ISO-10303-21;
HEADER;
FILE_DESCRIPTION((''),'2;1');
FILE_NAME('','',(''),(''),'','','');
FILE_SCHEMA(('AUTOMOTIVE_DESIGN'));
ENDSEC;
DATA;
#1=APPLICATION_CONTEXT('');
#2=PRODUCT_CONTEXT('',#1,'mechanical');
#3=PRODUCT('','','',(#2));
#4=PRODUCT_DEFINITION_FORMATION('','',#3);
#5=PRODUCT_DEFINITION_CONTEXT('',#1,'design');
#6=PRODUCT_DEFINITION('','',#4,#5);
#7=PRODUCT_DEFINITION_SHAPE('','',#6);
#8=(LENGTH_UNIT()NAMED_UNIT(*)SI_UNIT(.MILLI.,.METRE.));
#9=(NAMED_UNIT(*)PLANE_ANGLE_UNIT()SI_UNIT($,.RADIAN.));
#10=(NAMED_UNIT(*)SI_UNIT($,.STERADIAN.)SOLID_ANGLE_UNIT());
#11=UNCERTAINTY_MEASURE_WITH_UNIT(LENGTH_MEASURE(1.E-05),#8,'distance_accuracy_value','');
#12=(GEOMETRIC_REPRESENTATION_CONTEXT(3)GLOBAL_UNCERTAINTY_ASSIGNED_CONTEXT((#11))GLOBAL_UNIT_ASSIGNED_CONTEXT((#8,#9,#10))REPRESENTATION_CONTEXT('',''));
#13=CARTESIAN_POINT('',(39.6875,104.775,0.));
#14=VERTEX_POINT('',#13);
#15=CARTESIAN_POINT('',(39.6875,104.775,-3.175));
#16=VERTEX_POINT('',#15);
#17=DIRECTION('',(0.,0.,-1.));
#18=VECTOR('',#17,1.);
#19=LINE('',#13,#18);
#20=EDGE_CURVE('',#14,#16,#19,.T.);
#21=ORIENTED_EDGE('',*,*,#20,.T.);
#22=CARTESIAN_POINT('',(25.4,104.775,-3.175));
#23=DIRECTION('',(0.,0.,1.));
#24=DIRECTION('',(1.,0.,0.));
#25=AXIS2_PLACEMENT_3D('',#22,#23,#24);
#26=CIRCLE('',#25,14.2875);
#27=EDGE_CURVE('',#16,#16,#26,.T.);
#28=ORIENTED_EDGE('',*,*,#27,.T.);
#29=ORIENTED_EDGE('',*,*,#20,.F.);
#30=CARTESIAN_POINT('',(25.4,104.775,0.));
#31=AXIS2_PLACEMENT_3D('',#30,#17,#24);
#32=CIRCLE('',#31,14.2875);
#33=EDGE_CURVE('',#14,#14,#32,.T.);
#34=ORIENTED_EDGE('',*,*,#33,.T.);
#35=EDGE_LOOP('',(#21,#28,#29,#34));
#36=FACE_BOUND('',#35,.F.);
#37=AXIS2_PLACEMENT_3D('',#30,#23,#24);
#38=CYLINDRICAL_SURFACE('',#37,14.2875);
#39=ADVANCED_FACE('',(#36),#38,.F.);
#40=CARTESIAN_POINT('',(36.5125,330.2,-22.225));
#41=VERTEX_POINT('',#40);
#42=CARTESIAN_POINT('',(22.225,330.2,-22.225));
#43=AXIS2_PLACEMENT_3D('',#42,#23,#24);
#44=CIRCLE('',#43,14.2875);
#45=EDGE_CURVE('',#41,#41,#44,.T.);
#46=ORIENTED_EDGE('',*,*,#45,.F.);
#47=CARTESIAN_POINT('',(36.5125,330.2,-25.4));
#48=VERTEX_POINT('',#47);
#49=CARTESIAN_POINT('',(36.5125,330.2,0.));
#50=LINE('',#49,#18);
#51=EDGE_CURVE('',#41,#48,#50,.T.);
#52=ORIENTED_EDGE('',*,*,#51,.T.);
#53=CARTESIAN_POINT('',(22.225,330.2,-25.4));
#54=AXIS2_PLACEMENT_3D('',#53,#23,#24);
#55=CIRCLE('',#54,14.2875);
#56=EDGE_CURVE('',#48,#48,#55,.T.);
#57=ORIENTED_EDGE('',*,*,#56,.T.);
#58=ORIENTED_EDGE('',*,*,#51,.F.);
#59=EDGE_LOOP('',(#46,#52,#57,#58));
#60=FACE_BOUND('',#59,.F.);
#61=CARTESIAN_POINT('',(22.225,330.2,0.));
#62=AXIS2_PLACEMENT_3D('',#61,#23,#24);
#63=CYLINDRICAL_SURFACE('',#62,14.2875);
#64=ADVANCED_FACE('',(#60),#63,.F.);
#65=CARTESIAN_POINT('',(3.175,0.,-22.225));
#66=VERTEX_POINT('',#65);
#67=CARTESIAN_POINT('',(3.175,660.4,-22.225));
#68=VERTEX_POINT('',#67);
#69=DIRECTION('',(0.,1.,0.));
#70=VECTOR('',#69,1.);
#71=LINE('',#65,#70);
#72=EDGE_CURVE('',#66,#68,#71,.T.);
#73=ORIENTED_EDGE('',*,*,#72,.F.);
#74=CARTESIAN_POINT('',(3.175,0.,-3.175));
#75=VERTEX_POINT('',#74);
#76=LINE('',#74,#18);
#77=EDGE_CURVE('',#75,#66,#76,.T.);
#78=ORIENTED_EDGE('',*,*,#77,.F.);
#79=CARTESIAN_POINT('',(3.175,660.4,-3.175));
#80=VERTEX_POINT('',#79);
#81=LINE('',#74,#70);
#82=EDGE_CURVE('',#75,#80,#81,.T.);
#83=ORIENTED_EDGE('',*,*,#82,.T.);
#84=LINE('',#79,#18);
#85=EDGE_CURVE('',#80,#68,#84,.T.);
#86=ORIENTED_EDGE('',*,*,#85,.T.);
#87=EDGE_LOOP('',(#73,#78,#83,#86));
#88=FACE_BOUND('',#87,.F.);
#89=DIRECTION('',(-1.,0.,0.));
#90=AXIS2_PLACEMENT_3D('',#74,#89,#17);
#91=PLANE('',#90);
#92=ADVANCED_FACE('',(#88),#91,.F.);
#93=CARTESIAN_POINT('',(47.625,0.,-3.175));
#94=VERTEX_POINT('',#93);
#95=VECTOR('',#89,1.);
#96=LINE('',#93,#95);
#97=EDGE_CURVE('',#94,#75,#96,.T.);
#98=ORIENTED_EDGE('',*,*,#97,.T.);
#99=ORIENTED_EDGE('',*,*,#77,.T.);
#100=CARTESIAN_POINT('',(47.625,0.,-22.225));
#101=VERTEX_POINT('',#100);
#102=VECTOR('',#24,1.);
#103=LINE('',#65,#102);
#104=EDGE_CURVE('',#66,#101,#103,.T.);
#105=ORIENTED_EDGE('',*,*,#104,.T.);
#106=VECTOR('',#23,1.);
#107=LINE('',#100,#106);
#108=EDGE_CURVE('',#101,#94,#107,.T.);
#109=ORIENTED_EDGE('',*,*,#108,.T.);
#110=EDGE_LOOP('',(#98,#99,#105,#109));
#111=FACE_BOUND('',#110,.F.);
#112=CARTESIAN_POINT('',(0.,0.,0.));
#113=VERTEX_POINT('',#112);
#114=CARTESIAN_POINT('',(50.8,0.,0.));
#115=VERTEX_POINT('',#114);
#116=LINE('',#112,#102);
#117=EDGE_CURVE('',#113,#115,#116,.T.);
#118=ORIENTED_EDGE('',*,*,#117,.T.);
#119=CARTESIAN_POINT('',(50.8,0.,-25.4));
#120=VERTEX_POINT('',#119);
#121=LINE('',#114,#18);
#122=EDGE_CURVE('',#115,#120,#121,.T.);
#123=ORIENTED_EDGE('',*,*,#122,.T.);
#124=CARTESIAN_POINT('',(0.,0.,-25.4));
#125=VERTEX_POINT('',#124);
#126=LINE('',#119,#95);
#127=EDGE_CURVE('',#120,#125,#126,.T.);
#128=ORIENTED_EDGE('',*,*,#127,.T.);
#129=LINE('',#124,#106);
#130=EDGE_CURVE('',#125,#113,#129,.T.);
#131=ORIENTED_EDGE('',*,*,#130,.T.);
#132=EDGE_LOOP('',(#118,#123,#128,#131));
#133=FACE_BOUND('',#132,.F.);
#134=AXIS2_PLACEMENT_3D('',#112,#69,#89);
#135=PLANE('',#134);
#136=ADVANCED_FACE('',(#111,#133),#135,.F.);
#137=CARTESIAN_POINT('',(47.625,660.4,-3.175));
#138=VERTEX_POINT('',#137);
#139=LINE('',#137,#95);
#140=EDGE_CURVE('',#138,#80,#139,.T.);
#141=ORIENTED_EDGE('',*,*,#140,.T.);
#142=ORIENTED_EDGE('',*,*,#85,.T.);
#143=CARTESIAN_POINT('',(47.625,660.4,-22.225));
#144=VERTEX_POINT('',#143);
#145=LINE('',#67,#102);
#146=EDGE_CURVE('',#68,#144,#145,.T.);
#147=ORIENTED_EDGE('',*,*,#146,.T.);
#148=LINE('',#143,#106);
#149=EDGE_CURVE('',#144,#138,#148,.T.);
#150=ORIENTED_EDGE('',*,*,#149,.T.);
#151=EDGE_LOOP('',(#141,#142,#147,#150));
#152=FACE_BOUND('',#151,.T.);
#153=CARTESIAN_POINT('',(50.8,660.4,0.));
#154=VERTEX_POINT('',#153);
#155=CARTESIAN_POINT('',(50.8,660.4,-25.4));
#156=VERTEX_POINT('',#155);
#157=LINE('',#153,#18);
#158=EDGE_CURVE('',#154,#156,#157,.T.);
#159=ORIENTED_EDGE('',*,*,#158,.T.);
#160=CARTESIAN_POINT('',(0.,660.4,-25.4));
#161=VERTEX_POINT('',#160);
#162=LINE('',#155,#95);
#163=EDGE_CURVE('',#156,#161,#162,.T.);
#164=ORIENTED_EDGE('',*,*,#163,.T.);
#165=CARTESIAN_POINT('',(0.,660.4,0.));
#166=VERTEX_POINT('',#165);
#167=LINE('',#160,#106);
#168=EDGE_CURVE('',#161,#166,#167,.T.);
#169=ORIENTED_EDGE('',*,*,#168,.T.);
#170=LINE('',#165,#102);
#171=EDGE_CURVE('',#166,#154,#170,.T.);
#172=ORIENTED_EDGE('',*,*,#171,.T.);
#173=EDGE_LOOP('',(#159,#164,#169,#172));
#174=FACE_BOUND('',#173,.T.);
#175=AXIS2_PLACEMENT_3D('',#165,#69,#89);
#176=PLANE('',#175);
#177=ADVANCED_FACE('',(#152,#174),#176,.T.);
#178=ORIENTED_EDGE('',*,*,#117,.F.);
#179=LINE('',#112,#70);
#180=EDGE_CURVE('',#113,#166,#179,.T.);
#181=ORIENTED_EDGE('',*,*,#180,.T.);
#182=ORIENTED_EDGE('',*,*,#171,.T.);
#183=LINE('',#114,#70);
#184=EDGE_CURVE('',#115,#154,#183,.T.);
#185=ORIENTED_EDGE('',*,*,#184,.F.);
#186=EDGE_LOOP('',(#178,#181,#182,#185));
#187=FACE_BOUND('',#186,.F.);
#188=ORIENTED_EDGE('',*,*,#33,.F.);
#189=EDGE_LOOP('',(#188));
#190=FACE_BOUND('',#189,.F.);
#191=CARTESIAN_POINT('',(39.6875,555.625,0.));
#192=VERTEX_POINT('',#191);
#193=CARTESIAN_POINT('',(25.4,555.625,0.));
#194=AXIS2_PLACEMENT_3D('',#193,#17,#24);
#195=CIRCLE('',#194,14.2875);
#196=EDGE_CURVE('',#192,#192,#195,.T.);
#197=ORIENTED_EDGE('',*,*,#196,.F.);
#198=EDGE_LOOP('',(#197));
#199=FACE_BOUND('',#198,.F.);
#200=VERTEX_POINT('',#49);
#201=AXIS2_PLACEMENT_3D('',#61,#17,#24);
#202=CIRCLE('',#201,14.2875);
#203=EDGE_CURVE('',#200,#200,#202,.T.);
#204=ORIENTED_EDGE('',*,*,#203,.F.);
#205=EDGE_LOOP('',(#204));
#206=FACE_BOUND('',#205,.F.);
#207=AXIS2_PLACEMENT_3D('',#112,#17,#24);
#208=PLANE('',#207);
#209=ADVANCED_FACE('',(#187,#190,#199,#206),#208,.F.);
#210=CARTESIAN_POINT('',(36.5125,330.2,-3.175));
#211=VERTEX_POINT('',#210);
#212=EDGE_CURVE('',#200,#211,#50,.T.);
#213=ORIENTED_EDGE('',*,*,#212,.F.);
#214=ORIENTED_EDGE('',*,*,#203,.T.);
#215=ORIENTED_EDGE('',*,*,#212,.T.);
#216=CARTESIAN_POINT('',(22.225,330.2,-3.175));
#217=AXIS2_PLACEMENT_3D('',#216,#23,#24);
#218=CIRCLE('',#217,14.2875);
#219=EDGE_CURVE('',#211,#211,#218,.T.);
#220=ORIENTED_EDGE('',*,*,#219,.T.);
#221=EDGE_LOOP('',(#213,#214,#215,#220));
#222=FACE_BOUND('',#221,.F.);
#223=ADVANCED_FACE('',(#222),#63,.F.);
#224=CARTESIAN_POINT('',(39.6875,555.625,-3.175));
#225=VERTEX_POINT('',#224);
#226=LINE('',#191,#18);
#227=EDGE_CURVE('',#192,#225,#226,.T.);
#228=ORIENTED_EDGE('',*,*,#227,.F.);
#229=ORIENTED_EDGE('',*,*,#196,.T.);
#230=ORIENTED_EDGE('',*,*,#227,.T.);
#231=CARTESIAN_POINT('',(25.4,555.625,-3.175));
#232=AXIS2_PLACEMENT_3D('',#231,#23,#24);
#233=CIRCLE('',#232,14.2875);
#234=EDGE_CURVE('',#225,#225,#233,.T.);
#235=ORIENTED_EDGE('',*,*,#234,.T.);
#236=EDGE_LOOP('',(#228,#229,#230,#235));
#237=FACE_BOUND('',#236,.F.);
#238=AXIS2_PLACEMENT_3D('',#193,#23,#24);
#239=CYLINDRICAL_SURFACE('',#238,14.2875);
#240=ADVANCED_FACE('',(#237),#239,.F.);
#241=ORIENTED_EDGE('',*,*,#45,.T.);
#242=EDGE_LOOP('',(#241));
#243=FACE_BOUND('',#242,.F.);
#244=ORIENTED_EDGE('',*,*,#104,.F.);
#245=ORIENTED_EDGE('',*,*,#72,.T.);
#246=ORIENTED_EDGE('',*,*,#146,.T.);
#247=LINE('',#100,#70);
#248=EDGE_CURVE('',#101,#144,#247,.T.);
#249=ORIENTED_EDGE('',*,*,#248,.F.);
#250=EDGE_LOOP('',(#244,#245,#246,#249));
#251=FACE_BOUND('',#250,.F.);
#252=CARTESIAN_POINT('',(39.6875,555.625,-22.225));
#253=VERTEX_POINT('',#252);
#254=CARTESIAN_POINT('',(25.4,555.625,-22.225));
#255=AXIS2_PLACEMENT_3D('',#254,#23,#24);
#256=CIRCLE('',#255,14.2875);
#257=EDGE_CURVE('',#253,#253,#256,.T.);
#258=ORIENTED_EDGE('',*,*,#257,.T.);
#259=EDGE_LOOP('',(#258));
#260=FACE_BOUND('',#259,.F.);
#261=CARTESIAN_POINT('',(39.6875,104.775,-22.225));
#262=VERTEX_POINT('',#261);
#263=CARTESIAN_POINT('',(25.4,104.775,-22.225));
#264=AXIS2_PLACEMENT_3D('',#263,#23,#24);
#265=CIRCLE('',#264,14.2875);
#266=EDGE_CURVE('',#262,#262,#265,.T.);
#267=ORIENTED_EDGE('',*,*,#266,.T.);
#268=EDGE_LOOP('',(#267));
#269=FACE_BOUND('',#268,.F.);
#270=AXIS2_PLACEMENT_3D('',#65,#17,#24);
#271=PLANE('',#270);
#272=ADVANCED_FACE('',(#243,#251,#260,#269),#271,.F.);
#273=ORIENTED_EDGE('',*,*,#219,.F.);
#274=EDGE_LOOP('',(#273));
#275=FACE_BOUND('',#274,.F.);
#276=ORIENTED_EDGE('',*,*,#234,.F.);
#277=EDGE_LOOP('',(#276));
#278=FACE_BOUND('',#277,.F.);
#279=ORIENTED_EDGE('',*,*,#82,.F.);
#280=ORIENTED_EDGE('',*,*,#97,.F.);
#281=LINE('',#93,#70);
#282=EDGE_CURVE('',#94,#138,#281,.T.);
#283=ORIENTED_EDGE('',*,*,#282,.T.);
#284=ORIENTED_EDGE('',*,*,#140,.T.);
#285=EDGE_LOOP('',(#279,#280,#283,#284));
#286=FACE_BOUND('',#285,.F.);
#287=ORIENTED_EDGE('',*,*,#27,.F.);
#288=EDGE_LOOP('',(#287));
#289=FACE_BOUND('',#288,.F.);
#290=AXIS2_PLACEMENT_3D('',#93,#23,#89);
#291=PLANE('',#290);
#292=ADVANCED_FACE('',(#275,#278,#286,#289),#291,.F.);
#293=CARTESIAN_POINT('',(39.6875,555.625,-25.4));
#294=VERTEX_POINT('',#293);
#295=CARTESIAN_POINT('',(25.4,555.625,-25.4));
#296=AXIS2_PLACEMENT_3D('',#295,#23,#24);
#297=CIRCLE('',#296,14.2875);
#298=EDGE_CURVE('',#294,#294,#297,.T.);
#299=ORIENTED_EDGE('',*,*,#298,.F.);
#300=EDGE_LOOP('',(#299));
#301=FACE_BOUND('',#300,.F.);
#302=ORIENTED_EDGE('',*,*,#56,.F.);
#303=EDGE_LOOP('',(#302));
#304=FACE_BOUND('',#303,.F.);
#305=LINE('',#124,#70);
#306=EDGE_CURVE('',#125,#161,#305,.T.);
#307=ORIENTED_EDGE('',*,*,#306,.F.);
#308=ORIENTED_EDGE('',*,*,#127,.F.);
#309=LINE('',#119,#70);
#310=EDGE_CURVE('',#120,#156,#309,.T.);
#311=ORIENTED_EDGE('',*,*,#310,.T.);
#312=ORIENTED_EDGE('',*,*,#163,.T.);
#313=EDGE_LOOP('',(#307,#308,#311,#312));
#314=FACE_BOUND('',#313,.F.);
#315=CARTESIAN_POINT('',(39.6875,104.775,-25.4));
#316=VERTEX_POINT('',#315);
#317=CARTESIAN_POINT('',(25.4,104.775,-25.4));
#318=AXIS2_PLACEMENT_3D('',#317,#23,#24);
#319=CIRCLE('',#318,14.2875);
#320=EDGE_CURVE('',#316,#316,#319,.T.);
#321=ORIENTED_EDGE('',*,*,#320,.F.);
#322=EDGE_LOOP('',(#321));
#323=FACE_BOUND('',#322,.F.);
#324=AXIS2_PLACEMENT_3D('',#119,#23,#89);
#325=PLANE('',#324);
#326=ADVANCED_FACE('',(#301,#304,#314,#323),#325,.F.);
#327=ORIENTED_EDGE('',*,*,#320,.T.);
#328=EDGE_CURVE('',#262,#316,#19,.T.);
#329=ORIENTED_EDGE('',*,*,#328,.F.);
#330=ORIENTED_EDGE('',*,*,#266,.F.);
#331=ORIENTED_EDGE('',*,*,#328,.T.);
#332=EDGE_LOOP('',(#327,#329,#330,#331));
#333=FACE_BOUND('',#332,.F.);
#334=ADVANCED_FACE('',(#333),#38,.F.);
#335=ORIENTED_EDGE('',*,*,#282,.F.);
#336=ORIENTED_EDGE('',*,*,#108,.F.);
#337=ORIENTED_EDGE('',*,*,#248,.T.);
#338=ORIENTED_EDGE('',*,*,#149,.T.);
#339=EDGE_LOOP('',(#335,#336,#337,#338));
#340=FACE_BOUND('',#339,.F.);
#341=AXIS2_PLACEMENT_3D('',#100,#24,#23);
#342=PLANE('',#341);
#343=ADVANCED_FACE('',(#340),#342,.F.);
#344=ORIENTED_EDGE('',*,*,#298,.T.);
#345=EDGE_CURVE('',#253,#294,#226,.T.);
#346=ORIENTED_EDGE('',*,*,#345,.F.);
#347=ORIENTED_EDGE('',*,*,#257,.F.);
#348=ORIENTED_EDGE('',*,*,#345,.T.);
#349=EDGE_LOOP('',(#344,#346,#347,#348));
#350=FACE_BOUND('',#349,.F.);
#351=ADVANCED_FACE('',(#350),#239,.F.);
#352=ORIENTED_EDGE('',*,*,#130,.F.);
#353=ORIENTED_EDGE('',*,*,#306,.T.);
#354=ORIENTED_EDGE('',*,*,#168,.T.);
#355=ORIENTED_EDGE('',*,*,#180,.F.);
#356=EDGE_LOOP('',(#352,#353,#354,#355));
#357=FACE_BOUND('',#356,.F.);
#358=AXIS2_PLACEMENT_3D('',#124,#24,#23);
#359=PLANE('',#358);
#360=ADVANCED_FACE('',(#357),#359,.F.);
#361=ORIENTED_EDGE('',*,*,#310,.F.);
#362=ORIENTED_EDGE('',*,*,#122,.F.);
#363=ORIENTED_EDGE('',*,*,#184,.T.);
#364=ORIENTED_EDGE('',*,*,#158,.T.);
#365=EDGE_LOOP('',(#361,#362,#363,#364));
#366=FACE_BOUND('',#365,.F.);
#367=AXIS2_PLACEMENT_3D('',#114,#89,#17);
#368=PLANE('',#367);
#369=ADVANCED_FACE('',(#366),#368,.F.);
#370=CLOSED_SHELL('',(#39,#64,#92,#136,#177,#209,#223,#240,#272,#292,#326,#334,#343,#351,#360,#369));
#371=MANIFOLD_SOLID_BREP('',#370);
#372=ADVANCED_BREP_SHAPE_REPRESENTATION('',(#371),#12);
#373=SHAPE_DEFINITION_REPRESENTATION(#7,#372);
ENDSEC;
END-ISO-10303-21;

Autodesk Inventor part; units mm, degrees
ref_plane "YZ Plane" through (0, 0, 0) normal (1, 0, 0) x (0, 1, 0)
ref_plane "XZ Plane" through (0, 0, 0) normal (0, 1, 0) x (-1, 0, 0)
ref_plane "XY Plane" through (0, 0, 0) normal (0, 0, 1) x (1, 0, 0)
sketch "Sketch1" plane through (0, 0, 0) normal (0, 1, 0) x (-1, 0, 0)
  line L0 (0, 0) -> (-50.8, 0)
  line L1 (-50.8, 0) -> (-50.8, -25.4)
  line L2 (-50.8, -25.4) -> (0, -25.4)
  line L3 (0, -25.4) -> (0, 0)
  line L4 (-3.175, -22.225) -> (-47.625, -22.225)
  line L5 (-47.625, -22.225) -> (-47.625, -3.175)
  line L6 (-47.625, -3.175) -> (-3.175, -3.175)
  line L7 (-3.175, -3.175) -> (-3.175, -22.225)
  dimension "d0" = 50.8
  dimension "d1" = 25.4
  dimension "d2" = 3.175
  dimension "d3" = 3.175
  dimension "d4" = 3.175
  dimension "d5" = 3.175
extrude "Extrusion1" add sketch "Sketch1" along normal blind 660.4
sketch "Sketch2" plane through (0, 0, 0) normal (0, 0, 1) x (1, 0, 0)
  line L0 (3.175, 660.4) -> (47.625, 660.4) projected
  line L1 (25.4, 660.4) -> (25.4, 0)
  line L2 (25.4, 0) -> (25.4, 330.2)
  line L3 (25.4, 330.2) -> (22.225, 330.2)
  circle A0 centre (22.225, 330.2) radius 14.2875
  point P0 (0, 0)
  dimension "d11" = 3.175
extrude "Extrusion2" cut sketch "Sketch2" against normal blind 25.4
sketch "Sketch3" plane through (0, 0, 0) normal (0, 0, 1) x (1, 0, 0)
  line L0 (0, 0) -> (50.8, 0) projected
  line L1 (25.4, 0) -> (25.4, 660.4)
  line L2 (0, 660.4) -> (50.8, 660.4) projected
  line L3 (25.4, 660.4) -> (25.4, 571.5)
  line L4 (25.4, 0) -> (25.4, 88.9)
  line L5 (25.4, 571.5) -> (25.4, 555.625)
  circle A0 centre (25.4, 555.625) radius 14.2875
  line L6 (25.4, 88.9) -> (25.4, 104.775)
  circle A1 centre (25.4, 104.775) radius 14.2875
  dimension "d12" = 88.9
  dimension "d13" = 88.9
  dimension "d17" = 15.875
  dimension "d18" = 15.875
extrude "Extrusion3" cut sketch "Sketch3" against normal blind 25.4
properties part number "26in 2x1" material "Aluminum 6061"
